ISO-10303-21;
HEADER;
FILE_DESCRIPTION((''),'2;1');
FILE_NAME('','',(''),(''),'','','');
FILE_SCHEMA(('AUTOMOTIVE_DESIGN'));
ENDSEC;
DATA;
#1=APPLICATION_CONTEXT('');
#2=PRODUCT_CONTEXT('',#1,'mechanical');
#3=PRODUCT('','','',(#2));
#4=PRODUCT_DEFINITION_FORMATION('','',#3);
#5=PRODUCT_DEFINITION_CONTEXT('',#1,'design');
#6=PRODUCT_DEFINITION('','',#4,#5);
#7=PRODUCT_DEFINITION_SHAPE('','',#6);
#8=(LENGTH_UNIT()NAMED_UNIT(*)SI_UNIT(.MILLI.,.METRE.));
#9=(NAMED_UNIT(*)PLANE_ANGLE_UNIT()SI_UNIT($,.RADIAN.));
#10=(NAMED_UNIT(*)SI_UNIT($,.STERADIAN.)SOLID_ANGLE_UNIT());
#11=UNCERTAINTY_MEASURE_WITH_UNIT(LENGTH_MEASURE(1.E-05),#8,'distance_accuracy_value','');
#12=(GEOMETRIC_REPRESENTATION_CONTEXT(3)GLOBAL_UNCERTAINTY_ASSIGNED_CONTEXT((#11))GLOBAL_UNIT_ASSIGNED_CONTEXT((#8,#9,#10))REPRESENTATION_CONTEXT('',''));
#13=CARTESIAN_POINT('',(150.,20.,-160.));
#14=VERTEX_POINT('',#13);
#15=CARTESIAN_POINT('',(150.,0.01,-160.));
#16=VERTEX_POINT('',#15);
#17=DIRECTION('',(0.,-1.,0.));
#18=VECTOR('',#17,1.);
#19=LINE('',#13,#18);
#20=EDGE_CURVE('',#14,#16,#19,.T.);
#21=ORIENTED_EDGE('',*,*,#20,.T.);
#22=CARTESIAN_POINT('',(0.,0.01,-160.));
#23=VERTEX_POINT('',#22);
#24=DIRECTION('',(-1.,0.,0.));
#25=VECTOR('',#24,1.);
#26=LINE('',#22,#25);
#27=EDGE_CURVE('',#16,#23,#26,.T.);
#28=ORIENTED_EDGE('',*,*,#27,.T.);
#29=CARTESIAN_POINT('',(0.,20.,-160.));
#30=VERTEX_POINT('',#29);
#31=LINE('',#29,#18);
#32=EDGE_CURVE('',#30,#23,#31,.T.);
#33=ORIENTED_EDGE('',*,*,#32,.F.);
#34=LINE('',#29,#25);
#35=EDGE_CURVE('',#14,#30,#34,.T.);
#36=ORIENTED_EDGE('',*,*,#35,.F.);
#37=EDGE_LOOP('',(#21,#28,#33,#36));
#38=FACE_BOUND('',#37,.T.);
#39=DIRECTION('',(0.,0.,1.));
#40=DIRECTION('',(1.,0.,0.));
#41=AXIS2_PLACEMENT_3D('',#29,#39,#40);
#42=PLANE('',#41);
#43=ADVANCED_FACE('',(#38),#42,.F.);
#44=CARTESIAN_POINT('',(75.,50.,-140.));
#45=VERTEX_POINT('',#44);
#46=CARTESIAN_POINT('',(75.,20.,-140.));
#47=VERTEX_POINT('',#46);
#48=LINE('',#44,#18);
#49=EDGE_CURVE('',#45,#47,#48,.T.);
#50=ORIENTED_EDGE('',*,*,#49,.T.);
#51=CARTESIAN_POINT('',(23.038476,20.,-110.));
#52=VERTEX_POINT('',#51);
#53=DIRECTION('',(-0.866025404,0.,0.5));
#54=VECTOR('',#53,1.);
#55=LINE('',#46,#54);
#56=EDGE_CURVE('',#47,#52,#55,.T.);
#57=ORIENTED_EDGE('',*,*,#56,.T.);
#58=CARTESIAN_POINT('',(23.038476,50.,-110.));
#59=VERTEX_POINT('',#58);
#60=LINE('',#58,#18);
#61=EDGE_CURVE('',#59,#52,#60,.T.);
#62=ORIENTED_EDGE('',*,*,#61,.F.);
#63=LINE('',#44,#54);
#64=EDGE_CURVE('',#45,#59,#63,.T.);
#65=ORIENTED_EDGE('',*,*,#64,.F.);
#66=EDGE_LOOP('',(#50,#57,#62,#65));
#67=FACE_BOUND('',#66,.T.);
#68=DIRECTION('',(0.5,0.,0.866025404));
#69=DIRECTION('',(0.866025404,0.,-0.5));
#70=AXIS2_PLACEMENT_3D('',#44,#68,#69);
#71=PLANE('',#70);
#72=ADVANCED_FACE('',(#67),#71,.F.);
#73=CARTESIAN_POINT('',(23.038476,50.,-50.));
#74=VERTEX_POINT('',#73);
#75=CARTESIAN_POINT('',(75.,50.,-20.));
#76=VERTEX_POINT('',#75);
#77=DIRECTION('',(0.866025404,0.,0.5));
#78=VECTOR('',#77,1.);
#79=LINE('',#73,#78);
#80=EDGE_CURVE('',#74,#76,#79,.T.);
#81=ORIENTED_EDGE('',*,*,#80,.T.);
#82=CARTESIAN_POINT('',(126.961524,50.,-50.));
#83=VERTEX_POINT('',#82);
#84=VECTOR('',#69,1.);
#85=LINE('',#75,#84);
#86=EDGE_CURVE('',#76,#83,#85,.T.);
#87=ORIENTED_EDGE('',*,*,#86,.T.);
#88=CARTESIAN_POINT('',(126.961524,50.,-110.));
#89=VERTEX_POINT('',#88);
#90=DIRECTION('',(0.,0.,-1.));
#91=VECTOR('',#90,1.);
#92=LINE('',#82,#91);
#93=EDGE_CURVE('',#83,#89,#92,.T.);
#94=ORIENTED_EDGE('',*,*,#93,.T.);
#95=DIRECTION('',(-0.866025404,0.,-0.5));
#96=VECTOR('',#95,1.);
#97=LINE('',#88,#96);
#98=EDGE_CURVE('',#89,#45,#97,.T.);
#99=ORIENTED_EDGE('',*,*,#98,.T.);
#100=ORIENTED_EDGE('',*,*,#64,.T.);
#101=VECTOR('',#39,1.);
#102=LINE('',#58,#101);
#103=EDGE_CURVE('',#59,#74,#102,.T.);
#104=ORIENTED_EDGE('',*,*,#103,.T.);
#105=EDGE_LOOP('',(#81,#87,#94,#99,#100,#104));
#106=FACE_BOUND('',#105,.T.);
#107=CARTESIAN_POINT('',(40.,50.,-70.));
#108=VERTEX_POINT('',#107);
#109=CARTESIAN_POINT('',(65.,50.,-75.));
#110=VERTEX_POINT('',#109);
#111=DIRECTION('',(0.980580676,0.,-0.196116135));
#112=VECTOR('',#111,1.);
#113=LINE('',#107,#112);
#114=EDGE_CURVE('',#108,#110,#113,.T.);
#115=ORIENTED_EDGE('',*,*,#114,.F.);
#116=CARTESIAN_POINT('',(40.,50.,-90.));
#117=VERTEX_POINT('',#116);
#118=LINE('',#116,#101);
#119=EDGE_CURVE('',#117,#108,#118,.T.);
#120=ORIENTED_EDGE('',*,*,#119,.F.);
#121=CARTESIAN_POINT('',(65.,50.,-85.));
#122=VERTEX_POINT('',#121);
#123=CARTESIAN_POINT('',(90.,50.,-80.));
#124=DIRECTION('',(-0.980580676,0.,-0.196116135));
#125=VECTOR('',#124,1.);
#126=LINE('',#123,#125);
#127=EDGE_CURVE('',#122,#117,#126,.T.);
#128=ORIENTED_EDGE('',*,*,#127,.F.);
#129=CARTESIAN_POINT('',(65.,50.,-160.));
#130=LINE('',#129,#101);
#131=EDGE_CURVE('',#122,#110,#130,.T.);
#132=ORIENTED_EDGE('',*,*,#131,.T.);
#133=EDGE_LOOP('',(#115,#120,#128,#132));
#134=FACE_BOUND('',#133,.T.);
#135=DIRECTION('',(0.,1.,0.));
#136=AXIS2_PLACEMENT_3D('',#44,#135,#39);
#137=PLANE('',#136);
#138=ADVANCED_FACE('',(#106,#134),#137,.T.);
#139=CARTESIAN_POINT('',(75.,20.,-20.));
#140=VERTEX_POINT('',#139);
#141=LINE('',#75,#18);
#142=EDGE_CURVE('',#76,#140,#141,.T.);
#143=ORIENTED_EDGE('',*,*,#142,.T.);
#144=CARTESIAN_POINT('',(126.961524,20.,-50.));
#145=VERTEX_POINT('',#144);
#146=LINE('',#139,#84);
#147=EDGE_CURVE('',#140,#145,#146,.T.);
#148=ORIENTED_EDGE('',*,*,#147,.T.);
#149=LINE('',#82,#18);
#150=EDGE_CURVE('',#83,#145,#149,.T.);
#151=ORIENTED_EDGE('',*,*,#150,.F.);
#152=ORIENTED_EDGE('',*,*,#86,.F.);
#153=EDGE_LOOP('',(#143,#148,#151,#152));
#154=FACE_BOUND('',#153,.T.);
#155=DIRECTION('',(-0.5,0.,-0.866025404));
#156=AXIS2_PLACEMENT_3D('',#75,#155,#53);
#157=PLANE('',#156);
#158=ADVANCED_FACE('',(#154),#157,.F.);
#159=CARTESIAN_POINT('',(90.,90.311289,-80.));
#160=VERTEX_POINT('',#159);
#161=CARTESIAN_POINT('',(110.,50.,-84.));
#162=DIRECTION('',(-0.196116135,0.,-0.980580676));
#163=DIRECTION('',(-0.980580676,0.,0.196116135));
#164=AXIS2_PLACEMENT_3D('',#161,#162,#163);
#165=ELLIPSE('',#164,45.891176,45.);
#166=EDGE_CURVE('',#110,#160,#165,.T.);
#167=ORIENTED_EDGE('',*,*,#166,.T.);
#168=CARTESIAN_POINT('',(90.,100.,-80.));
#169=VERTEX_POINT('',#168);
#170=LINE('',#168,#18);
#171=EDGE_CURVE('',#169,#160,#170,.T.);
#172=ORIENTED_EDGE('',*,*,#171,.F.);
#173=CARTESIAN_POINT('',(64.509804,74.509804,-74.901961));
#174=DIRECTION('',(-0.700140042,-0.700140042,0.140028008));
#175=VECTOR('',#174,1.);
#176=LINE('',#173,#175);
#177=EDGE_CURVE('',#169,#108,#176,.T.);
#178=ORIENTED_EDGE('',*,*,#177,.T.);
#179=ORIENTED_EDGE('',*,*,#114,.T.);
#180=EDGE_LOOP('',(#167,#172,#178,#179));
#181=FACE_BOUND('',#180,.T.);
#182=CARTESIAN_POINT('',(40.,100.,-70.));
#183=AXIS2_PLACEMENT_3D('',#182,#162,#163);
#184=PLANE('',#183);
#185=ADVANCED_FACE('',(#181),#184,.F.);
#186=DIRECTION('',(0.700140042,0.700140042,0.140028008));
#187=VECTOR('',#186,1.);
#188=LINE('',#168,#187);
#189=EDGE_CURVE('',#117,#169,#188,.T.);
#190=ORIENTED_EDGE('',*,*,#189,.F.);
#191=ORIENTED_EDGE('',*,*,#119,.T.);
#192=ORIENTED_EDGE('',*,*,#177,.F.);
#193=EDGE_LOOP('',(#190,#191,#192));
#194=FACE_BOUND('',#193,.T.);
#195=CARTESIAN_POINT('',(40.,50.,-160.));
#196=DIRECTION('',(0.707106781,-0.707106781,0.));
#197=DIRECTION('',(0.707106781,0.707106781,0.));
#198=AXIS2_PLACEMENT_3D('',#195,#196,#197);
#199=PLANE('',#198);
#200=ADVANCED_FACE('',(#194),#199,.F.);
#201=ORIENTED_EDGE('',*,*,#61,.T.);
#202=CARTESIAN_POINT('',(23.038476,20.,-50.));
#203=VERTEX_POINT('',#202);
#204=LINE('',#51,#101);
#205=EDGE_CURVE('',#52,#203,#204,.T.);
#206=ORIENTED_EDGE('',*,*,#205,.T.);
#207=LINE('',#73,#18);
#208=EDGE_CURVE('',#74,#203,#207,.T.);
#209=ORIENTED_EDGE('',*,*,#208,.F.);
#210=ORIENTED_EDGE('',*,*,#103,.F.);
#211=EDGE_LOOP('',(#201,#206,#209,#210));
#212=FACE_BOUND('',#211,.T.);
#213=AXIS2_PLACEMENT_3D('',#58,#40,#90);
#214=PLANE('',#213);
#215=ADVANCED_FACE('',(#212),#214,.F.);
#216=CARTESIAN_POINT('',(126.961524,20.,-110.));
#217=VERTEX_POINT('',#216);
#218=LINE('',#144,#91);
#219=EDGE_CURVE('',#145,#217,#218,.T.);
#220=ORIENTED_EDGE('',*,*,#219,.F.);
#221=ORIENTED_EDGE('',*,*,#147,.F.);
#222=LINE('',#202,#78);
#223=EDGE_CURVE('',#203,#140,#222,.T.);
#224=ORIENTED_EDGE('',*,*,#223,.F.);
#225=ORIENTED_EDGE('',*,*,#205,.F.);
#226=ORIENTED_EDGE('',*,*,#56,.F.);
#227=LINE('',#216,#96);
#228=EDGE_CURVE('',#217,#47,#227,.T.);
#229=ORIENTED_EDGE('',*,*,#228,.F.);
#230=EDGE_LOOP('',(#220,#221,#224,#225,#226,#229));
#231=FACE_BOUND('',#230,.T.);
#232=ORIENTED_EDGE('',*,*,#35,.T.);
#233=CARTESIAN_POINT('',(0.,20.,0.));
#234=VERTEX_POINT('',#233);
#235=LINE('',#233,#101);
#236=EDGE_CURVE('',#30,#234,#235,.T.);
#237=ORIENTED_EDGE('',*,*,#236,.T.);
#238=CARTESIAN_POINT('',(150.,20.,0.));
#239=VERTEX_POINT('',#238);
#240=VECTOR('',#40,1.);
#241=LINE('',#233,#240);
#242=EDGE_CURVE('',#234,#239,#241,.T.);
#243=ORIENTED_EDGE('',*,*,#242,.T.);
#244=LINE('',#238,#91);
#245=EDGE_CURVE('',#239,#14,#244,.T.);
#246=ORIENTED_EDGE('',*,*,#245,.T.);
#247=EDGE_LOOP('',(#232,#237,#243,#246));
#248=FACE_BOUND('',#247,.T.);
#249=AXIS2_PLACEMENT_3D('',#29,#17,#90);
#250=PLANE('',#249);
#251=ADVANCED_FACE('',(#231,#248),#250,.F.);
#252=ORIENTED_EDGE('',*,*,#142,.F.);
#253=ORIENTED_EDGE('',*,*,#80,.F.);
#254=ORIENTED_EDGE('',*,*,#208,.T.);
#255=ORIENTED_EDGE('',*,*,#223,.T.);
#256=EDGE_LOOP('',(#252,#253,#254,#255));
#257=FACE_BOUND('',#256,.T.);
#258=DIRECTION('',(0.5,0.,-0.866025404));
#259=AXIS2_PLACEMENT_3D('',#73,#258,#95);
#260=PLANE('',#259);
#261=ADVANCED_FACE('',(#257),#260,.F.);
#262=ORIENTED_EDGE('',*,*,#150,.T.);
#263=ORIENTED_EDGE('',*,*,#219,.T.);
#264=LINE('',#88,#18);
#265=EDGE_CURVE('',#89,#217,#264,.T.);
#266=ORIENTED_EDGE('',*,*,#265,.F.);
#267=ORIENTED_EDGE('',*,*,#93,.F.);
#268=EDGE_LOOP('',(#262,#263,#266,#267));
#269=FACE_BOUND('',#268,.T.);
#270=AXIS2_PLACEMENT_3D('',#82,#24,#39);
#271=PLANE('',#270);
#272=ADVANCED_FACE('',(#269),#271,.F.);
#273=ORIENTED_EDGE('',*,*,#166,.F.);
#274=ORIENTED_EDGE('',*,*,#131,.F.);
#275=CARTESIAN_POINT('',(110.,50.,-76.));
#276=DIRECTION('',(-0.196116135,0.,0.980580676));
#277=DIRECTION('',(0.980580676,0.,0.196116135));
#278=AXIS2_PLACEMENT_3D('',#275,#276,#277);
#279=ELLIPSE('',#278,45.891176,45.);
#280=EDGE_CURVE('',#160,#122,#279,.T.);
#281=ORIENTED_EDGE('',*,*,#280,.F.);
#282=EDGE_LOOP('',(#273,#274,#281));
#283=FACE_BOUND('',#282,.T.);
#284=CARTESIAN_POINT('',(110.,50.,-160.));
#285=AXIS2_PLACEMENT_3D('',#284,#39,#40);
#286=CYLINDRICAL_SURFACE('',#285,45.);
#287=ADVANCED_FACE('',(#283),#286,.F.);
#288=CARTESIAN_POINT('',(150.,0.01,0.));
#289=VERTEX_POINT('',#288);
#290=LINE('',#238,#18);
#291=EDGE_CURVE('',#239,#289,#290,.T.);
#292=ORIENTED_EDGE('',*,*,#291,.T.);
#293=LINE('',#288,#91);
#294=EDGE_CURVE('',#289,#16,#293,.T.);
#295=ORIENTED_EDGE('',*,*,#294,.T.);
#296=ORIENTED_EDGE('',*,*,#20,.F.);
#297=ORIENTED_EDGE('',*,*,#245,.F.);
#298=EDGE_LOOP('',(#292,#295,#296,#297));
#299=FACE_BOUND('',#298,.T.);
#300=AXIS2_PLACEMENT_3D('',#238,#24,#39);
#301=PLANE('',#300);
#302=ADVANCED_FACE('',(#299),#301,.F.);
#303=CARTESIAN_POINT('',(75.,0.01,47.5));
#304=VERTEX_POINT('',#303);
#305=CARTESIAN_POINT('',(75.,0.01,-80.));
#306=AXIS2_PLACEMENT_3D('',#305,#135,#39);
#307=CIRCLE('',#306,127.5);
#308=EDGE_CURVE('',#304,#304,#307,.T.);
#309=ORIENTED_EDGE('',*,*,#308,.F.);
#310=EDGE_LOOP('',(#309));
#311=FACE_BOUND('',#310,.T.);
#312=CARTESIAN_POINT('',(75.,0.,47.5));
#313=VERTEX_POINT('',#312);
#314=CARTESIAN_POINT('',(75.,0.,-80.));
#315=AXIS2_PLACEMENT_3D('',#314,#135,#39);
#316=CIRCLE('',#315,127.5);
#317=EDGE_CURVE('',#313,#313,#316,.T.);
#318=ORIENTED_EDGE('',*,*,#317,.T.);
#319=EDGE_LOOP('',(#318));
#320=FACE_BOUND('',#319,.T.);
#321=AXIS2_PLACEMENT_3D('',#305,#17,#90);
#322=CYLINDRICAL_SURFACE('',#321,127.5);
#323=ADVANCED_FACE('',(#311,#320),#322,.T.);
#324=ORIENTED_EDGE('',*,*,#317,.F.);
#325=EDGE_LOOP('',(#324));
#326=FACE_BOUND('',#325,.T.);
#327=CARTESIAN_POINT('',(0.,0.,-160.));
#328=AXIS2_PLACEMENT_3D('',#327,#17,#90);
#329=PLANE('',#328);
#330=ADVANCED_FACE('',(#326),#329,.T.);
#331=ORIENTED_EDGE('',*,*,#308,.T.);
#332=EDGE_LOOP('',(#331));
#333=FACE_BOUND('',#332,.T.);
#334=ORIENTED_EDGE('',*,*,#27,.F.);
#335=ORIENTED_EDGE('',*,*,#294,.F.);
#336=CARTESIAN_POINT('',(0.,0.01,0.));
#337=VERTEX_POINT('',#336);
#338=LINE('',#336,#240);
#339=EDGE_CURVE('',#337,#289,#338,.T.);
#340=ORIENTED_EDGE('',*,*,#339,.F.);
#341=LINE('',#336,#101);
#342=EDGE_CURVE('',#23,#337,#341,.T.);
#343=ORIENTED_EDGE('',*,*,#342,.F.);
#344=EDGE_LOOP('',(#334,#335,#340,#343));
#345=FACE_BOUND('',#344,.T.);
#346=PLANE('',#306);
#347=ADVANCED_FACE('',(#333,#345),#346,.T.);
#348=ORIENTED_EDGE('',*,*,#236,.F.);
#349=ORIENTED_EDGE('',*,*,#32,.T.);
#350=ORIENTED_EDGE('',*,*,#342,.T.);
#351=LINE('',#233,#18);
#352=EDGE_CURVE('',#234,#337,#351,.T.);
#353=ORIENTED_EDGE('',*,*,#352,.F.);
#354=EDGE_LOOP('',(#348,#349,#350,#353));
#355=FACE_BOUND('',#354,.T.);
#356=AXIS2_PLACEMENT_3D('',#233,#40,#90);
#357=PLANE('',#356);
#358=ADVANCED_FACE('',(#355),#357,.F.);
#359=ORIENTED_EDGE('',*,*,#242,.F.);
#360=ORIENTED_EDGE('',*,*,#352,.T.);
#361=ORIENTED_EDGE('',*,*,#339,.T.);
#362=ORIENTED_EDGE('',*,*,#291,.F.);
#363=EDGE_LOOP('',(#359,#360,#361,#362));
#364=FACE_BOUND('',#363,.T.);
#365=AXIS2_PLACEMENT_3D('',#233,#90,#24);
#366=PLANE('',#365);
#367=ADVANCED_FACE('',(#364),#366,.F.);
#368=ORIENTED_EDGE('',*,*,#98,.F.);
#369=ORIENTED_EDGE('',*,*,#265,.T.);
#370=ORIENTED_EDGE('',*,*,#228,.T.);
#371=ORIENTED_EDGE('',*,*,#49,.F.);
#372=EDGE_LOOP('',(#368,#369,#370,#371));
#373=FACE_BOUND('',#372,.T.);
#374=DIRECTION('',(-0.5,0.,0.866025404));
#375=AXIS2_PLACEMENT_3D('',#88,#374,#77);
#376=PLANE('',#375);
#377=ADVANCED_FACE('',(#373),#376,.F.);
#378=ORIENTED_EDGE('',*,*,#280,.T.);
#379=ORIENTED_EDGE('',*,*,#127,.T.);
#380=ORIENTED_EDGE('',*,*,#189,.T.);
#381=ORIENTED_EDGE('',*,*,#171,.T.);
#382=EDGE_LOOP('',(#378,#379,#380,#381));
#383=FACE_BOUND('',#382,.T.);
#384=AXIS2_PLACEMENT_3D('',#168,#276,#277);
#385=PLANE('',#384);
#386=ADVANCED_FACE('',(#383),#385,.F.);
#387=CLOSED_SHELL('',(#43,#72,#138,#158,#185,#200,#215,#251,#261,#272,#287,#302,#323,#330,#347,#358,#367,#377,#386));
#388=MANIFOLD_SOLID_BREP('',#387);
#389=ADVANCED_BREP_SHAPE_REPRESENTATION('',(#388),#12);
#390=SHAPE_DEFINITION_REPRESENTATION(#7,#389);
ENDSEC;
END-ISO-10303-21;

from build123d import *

# Parameters (mm, degrees)
SKETCH1_W      = 150
SKETCH1_H      = 160
EXTRUDE1_DEPTH = 20
EXTRUDE2_DEPTH = 30
EXTRUDE3_DEPTH = 50
EXTRUDE4_DEPTH = 161
SKETCH5_R      = 127.5
EXTRUDE5_DEPTH = 0.01


with BuildPart() as part:
    # Sketch1 → Extrude1 (new body)
    with BuildSketch(Plane(origin=(0, 0, 0), x_dir=(1, 0, 0), z_dir=(0, 1, 0))):
        with Locations((75, 80)):
            Rectangle(SKETCH1_W, SKETCH1_H)
    extrude(amount=EXTRUDE1_DEPTH)

    # Sketch2 → Extrude2 (add)
    with BuildSketch(Plane(origin=(0, 20, 0), x_dir=(1, 0, 0), z_dir=(0, 1, 0))):
        Polygon((75, 140), (23.038475773, 110), (23.038475773, 50), (75, 20), (126.961524227, 50), (126.961524227, 110), align=None)
    extrude(amount=EXTRUDE2_DEPTH)

    # Sketch3 → Extrude3 (add)
    with BuildSketch(Plane(origin=(0, 50, 0), x_dir=(1, 0, 0), z_dir=(0, 1, 0))):
        Polygon((40, 90), (40, 70), (90, 80), align=None)
    extrude(amount=EXTRUDE3_DEPTH)

    # Sketch4 → Extrude4 (cut, through all)
    with BuildSketch(Plane.XY):
        with BuildLine():
            Line((110, 95), (110, 50))
            Line((110, 50), (65, 50))
            ThreePointArc((65, 50), (78.180194847, 81.819805153), (110, 95))
        make_face()
        Polygon((40, 50), (90, 100), (40, 100), align=None)
    extrude(amount=-EXTRUDE4_DEPTH, mode=Mode.SUBTRACT)

    # Sketch5 → Extrude5 (add)
    with BuildSketch(Plane(origin=(0, 0, 0), x_dir=(1, 0, 0), z_dir=(0, 1, 0))):
        with Locations(Location((75, 80, 0), (0, 0, 270))):  # turned: the seam where the file's is
            Circle(SKETCH5_R)
    extrude(amount=EXTRUDE5_DEPTH)


solid = part.part
